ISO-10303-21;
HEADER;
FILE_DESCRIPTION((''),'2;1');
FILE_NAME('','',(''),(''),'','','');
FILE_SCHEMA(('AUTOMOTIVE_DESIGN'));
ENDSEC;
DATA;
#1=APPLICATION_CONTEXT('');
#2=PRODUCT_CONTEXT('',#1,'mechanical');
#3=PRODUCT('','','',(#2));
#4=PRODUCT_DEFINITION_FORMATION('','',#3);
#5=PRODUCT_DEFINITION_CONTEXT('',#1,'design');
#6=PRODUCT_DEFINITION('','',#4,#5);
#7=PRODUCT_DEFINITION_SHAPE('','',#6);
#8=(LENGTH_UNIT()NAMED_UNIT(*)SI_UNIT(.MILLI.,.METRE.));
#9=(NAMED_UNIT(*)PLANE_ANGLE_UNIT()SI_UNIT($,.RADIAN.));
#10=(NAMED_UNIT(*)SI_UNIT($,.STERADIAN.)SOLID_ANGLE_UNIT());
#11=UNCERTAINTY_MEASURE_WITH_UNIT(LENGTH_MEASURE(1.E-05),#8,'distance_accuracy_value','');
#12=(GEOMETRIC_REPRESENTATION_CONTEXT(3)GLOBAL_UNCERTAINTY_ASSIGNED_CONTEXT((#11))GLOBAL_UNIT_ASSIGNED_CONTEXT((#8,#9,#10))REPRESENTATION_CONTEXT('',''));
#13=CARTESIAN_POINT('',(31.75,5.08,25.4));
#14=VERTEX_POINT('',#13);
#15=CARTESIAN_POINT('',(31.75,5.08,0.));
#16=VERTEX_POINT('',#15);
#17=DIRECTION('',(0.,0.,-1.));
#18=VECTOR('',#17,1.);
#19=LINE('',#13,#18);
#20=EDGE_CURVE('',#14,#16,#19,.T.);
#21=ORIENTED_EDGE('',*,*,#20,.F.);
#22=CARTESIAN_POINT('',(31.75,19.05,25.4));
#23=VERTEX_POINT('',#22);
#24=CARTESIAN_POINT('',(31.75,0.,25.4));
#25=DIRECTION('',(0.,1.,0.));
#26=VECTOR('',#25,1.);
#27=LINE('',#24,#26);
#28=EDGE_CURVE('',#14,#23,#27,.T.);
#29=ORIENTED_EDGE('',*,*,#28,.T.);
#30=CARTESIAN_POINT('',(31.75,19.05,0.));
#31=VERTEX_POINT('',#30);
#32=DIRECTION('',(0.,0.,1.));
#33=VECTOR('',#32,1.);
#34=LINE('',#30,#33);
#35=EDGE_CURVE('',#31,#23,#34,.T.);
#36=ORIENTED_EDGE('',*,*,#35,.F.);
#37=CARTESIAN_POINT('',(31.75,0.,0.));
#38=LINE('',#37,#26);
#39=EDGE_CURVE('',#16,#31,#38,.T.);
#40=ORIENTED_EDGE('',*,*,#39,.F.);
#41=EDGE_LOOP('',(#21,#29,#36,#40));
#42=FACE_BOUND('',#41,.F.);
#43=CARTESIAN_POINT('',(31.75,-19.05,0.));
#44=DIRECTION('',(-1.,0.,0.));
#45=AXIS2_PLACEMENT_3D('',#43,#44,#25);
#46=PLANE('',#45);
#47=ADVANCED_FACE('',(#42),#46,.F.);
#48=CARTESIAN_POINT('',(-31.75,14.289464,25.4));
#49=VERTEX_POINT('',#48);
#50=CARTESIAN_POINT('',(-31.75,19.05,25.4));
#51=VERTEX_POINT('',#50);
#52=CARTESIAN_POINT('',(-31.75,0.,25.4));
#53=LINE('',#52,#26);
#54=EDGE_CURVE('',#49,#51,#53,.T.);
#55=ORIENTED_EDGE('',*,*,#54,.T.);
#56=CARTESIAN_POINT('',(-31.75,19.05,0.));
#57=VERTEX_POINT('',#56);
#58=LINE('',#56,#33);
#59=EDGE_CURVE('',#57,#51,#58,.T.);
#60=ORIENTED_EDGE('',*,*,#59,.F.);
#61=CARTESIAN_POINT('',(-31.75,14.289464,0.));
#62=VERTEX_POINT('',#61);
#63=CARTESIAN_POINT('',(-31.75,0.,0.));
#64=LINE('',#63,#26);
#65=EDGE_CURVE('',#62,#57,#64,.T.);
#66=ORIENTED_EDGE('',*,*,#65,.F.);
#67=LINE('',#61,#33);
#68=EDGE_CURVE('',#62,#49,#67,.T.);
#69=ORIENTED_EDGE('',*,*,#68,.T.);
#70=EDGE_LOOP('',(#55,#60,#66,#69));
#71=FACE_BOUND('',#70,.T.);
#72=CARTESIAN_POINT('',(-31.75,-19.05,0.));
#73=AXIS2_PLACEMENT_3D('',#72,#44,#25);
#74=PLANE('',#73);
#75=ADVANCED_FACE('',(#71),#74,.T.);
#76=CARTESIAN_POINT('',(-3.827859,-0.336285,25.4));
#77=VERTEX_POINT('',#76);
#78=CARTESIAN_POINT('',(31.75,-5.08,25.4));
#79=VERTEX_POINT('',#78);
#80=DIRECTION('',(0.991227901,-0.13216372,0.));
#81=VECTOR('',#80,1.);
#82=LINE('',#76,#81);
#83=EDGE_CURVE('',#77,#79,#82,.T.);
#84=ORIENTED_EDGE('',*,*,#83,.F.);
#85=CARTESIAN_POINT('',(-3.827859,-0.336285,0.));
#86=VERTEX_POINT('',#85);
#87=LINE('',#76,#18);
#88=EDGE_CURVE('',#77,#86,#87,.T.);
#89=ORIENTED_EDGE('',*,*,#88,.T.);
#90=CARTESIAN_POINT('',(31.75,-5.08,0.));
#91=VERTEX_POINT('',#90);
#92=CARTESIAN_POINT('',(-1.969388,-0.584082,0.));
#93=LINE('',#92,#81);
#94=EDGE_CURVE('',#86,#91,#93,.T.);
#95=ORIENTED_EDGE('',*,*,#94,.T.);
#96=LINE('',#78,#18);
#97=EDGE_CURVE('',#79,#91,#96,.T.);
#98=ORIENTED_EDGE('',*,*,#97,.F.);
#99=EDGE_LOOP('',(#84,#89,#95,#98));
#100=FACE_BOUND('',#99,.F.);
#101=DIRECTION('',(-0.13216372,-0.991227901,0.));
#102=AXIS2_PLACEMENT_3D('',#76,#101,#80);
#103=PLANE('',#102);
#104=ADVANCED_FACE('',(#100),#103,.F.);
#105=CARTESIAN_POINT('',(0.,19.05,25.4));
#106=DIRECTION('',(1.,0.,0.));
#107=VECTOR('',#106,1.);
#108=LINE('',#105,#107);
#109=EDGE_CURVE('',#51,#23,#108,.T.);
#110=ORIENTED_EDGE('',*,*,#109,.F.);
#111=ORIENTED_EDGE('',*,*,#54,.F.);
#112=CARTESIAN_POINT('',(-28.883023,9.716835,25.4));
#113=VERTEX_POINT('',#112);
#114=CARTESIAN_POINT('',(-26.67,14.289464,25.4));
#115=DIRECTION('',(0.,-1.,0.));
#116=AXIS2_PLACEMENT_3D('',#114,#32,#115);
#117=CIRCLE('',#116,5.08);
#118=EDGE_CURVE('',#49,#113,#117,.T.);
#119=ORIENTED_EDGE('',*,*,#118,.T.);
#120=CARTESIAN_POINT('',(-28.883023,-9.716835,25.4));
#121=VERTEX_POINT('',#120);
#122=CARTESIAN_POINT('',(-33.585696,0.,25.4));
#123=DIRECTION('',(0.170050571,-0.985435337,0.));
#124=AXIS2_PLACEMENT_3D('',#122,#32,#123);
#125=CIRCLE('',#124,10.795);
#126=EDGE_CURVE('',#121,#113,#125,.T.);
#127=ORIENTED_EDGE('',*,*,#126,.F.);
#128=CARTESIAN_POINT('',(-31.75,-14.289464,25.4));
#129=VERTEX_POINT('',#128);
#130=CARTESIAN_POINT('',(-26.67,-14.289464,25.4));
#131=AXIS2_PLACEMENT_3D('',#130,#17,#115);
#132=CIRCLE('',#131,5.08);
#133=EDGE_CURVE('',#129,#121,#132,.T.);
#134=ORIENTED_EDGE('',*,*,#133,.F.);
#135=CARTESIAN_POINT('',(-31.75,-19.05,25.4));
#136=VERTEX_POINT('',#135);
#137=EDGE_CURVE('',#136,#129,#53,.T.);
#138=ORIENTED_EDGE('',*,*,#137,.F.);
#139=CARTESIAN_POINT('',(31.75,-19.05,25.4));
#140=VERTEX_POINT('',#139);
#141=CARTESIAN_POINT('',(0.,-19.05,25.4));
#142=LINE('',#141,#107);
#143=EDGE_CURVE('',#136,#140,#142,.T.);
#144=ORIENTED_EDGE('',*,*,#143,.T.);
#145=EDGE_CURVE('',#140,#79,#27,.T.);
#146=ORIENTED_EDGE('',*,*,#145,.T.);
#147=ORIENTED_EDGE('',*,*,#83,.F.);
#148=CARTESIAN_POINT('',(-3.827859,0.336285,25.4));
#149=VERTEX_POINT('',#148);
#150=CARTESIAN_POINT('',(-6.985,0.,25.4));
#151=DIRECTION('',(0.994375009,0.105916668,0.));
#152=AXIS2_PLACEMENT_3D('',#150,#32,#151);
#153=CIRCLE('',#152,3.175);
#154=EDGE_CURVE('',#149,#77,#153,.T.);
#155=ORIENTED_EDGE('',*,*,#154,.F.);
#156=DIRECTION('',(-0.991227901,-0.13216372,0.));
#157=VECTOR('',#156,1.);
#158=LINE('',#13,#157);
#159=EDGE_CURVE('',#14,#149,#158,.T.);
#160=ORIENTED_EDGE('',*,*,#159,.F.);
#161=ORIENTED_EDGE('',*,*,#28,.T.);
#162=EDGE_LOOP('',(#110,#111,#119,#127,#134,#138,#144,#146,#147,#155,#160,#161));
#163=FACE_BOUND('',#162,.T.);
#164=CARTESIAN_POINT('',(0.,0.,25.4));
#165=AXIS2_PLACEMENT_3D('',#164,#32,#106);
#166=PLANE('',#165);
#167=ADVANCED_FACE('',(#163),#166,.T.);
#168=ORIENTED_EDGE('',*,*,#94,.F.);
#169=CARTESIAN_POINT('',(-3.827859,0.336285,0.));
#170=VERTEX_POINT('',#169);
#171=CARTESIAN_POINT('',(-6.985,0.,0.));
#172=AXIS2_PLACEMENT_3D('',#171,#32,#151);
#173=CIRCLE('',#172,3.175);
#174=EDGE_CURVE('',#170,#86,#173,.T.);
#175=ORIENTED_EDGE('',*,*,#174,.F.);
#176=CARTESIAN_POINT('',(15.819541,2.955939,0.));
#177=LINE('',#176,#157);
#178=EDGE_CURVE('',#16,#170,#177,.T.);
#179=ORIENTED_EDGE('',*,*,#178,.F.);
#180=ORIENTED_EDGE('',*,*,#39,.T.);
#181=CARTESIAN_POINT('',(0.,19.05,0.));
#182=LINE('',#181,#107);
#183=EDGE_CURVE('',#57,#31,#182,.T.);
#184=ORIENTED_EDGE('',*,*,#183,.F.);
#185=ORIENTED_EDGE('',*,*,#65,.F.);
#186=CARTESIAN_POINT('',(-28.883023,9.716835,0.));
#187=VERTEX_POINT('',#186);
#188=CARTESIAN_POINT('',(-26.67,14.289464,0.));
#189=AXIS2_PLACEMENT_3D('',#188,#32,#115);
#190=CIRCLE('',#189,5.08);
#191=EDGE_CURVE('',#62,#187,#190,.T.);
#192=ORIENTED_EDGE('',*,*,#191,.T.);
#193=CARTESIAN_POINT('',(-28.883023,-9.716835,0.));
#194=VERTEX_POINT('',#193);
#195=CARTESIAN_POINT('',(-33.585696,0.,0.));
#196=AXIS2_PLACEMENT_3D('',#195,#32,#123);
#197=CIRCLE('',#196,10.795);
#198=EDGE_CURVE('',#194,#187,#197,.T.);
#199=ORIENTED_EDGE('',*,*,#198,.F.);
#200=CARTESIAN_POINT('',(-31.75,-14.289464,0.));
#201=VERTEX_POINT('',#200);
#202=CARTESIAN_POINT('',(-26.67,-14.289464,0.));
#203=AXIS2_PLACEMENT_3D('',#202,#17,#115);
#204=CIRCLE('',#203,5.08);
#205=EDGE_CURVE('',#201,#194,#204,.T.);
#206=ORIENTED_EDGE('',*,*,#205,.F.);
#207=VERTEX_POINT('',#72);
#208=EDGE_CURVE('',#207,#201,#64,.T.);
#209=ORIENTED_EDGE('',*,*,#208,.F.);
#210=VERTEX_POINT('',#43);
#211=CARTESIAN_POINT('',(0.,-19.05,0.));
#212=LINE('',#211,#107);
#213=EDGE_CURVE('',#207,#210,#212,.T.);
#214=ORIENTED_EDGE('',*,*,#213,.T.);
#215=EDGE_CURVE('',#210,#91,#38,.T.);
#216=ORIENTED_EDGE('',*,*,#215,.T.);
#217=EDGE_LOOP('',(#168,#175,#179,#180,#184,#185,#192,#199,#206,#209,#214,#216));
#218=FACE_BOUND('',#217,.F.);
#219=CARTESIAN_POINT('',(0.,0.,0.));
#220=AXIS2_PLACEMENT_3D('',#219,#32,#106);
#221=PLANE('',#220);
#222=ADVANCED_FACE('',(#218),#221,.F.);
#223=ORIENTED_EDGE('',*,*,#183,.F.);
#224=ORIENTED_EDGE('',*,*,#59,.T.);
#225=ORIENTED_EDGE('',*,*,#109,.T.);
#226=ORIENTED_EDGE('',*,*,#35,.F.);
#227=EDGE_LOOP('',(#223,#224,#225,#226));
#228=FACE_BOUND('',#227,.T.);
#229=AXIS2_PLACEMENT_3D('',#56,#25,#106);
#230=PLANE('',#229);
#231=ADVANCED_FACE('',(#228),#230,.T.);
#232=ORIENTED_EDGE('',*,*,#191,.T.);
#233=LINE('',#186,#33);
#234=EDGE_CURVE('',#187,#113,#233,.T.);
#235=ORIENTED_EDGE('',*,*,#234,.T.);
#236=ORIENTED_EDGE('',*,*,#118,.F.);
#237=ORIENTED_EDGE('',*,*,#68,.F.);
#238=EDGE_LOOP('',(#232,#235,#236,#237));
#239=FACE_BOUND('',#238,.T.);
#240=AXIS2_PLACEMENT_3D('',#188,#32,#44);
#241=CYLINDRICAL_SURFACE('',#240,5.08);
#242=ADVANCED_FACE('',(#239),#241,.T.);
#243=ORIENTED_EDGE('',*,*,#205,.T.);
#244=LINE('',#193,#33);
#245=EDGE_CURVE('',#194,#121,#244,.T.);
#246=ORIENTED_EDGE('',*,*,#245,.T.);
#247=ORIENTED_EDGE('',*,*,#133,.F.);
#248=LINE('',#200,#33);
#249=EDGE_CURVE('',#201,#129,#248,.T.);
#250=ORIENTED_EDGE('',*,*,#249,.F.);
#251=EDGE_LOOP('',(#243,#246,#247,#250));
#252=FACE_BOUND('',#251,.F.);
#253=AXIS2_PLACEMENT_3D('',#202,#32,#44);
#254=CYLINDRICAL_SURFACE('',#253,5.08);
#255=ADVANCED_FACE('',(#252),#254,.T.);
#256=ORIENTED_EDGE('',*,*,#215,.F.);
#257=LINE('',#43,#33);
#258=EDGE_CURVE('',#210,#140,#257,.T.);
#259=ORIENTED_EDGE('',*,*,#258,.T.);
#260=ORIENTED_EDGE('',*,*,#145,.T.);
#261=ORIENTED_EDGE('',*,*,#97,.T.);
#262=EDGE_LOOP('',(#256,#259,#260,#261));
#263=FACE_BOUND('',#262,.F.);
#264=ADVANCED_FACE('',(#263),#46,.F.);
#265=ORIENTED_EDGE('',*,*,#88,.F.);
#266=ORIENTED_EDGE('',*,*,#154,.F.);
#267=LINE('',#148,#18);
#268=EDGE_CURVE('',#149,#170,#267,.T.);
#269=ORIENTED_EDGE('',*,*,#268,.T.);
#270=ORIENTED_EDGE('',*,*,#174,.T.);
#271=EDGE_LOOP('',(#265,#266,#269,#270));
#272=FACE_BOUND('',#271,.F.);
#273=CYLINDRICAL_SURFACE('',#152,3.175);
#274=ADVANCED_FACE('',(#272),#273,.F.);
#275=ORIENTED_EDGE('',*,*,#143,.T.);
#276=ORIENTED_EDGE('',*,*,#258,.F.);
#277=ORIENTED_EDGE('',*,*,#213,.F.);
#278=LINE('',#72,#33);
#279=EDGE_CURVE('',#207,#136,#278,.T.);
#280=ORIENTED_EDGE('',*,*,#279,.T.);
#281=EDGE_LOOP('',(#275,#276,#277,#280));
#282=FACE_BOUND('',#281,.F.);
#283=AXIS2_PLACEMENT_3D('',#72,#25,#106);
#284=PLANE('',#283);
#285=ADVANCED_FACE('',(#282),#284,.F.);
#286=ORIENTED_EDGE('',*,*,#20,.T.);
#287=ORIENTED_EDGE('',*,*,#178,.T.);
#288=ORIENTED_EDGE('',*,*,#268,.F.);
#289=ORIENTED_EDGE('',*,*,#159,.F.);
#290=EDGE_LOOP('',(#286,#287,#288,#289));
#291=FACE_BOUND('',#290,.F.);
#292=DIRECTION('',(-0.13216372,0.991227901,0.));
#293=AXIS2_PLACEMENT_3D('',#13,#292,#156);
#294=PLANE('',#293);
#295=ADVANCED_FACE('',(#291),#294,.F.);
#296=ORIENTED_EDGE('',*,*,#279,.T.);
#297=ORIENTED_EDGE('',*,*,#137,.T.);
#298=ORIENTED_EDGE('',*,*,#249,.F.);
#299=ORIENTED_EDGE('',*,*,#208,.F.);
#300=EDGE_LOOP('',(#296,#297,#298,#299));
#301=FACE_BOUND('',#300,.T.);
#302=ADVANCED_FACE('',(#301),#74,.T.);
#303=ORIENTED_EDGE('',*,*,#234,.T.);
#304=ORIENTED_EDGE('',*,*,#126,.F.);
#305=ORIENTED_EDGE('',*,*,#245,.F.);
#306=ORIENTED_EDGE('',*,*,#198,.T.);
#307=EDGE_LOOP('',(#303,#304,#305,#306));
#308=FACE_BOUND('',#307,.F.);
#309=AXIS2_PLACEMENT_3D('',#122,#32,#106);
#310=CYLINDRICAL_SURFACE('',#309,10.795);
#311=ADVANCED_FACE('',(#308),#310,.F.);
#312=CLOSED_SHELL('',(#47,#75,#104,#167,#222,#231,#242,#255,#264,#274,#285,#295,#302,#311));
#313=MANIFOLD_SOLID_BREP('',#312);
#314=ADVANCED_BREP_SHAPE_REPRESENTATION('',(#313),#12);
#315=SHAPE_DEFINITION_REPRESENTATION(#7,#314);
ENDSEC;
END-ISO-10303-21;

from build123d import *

# Parameters (mm, degrees)
F0_W     = 63.5
F0_H     = 38.1
F1_DEPTH = 25.4
F4_DEPTH = 38.1
F5_R     = 10.795
F6_DEPTH = 38.1
F7_R     = 5.08


with BuildPart() as f1:
    # F0 (on Top) → F1 (new body)
    with BuildSketch(Plane.XY):
        Rectangle(F0_W, F0_H)
    extrude(amount=F1_DEPTH)

    # F3 (on face) → F4 (cut)
    with BuildSketch(Plane.XY.offset(25.4)):
        with BuildLine():
            Line((-3.8278593449, -0.3362854207), (-6.35, 0))
            Line((-6.35, 0), (-3.8278593449, 0.3362854207))
            ThreePointArc((-3.8278593449, 0.3362854207), (-10.16, 0), (-3.8278593449, -0.3362854207))
        make_face()
        with BuildLine():
            Line((-3.8278593449, 0.3362854207), (-6.35, 0))
            Line((-6.35, 0), (-3.8278593449, -0.3362854207))
            ThreePointArc((-3.8278593449, -0.3362854207), (-3.81446798, -0.1683796606), (-3.81, 0))
            ThreePointArc((-3.81, 0), (-3.81446798, 0.1683796606), (-3.8278593449, 0.3362854207))
        make_face()
        with BuildLine():
            Line((31.75, 5.08), (-3.8278593449, 0.3362854207))
            ThreePointArc((-3.8278593449, 0.3362854207), (-3.81446798, 0.1683796606), (-3.81, 0))
            ThreePointArc((-3.81, 0), (-3.81446798, -0.1683796606), (-3.8278593449, -0.3362854207))
            Line((-3.8278593449, -0.3362854207), (31.75, -5.08))
            Line((31.75, -5.08), (31.75, 5.08))
        make_face()
    extrude(amount=-F4_DEPTH, mode=Mode.SUBTRACT)

    # F5 (on face) → F6 (cut)
    with BuildSketch(Plane.XY.offset(25.4)):
        with Locations((-33.5856959183, 0)):
            Circle(F5_R)
    extrude(amount=-F6_DEPTH, mode=Mode.SUBTRACT)

    # F7
    f7_edges = [f1.edges().sort_by_distance(p)[0] for p in [
        (-31.75, 10.637774, 12.7),
        (-31.75, -10.637774, 12.7),
    ]]
    fillet(f7_edges, radius=F7_R)


solid = f1.part
